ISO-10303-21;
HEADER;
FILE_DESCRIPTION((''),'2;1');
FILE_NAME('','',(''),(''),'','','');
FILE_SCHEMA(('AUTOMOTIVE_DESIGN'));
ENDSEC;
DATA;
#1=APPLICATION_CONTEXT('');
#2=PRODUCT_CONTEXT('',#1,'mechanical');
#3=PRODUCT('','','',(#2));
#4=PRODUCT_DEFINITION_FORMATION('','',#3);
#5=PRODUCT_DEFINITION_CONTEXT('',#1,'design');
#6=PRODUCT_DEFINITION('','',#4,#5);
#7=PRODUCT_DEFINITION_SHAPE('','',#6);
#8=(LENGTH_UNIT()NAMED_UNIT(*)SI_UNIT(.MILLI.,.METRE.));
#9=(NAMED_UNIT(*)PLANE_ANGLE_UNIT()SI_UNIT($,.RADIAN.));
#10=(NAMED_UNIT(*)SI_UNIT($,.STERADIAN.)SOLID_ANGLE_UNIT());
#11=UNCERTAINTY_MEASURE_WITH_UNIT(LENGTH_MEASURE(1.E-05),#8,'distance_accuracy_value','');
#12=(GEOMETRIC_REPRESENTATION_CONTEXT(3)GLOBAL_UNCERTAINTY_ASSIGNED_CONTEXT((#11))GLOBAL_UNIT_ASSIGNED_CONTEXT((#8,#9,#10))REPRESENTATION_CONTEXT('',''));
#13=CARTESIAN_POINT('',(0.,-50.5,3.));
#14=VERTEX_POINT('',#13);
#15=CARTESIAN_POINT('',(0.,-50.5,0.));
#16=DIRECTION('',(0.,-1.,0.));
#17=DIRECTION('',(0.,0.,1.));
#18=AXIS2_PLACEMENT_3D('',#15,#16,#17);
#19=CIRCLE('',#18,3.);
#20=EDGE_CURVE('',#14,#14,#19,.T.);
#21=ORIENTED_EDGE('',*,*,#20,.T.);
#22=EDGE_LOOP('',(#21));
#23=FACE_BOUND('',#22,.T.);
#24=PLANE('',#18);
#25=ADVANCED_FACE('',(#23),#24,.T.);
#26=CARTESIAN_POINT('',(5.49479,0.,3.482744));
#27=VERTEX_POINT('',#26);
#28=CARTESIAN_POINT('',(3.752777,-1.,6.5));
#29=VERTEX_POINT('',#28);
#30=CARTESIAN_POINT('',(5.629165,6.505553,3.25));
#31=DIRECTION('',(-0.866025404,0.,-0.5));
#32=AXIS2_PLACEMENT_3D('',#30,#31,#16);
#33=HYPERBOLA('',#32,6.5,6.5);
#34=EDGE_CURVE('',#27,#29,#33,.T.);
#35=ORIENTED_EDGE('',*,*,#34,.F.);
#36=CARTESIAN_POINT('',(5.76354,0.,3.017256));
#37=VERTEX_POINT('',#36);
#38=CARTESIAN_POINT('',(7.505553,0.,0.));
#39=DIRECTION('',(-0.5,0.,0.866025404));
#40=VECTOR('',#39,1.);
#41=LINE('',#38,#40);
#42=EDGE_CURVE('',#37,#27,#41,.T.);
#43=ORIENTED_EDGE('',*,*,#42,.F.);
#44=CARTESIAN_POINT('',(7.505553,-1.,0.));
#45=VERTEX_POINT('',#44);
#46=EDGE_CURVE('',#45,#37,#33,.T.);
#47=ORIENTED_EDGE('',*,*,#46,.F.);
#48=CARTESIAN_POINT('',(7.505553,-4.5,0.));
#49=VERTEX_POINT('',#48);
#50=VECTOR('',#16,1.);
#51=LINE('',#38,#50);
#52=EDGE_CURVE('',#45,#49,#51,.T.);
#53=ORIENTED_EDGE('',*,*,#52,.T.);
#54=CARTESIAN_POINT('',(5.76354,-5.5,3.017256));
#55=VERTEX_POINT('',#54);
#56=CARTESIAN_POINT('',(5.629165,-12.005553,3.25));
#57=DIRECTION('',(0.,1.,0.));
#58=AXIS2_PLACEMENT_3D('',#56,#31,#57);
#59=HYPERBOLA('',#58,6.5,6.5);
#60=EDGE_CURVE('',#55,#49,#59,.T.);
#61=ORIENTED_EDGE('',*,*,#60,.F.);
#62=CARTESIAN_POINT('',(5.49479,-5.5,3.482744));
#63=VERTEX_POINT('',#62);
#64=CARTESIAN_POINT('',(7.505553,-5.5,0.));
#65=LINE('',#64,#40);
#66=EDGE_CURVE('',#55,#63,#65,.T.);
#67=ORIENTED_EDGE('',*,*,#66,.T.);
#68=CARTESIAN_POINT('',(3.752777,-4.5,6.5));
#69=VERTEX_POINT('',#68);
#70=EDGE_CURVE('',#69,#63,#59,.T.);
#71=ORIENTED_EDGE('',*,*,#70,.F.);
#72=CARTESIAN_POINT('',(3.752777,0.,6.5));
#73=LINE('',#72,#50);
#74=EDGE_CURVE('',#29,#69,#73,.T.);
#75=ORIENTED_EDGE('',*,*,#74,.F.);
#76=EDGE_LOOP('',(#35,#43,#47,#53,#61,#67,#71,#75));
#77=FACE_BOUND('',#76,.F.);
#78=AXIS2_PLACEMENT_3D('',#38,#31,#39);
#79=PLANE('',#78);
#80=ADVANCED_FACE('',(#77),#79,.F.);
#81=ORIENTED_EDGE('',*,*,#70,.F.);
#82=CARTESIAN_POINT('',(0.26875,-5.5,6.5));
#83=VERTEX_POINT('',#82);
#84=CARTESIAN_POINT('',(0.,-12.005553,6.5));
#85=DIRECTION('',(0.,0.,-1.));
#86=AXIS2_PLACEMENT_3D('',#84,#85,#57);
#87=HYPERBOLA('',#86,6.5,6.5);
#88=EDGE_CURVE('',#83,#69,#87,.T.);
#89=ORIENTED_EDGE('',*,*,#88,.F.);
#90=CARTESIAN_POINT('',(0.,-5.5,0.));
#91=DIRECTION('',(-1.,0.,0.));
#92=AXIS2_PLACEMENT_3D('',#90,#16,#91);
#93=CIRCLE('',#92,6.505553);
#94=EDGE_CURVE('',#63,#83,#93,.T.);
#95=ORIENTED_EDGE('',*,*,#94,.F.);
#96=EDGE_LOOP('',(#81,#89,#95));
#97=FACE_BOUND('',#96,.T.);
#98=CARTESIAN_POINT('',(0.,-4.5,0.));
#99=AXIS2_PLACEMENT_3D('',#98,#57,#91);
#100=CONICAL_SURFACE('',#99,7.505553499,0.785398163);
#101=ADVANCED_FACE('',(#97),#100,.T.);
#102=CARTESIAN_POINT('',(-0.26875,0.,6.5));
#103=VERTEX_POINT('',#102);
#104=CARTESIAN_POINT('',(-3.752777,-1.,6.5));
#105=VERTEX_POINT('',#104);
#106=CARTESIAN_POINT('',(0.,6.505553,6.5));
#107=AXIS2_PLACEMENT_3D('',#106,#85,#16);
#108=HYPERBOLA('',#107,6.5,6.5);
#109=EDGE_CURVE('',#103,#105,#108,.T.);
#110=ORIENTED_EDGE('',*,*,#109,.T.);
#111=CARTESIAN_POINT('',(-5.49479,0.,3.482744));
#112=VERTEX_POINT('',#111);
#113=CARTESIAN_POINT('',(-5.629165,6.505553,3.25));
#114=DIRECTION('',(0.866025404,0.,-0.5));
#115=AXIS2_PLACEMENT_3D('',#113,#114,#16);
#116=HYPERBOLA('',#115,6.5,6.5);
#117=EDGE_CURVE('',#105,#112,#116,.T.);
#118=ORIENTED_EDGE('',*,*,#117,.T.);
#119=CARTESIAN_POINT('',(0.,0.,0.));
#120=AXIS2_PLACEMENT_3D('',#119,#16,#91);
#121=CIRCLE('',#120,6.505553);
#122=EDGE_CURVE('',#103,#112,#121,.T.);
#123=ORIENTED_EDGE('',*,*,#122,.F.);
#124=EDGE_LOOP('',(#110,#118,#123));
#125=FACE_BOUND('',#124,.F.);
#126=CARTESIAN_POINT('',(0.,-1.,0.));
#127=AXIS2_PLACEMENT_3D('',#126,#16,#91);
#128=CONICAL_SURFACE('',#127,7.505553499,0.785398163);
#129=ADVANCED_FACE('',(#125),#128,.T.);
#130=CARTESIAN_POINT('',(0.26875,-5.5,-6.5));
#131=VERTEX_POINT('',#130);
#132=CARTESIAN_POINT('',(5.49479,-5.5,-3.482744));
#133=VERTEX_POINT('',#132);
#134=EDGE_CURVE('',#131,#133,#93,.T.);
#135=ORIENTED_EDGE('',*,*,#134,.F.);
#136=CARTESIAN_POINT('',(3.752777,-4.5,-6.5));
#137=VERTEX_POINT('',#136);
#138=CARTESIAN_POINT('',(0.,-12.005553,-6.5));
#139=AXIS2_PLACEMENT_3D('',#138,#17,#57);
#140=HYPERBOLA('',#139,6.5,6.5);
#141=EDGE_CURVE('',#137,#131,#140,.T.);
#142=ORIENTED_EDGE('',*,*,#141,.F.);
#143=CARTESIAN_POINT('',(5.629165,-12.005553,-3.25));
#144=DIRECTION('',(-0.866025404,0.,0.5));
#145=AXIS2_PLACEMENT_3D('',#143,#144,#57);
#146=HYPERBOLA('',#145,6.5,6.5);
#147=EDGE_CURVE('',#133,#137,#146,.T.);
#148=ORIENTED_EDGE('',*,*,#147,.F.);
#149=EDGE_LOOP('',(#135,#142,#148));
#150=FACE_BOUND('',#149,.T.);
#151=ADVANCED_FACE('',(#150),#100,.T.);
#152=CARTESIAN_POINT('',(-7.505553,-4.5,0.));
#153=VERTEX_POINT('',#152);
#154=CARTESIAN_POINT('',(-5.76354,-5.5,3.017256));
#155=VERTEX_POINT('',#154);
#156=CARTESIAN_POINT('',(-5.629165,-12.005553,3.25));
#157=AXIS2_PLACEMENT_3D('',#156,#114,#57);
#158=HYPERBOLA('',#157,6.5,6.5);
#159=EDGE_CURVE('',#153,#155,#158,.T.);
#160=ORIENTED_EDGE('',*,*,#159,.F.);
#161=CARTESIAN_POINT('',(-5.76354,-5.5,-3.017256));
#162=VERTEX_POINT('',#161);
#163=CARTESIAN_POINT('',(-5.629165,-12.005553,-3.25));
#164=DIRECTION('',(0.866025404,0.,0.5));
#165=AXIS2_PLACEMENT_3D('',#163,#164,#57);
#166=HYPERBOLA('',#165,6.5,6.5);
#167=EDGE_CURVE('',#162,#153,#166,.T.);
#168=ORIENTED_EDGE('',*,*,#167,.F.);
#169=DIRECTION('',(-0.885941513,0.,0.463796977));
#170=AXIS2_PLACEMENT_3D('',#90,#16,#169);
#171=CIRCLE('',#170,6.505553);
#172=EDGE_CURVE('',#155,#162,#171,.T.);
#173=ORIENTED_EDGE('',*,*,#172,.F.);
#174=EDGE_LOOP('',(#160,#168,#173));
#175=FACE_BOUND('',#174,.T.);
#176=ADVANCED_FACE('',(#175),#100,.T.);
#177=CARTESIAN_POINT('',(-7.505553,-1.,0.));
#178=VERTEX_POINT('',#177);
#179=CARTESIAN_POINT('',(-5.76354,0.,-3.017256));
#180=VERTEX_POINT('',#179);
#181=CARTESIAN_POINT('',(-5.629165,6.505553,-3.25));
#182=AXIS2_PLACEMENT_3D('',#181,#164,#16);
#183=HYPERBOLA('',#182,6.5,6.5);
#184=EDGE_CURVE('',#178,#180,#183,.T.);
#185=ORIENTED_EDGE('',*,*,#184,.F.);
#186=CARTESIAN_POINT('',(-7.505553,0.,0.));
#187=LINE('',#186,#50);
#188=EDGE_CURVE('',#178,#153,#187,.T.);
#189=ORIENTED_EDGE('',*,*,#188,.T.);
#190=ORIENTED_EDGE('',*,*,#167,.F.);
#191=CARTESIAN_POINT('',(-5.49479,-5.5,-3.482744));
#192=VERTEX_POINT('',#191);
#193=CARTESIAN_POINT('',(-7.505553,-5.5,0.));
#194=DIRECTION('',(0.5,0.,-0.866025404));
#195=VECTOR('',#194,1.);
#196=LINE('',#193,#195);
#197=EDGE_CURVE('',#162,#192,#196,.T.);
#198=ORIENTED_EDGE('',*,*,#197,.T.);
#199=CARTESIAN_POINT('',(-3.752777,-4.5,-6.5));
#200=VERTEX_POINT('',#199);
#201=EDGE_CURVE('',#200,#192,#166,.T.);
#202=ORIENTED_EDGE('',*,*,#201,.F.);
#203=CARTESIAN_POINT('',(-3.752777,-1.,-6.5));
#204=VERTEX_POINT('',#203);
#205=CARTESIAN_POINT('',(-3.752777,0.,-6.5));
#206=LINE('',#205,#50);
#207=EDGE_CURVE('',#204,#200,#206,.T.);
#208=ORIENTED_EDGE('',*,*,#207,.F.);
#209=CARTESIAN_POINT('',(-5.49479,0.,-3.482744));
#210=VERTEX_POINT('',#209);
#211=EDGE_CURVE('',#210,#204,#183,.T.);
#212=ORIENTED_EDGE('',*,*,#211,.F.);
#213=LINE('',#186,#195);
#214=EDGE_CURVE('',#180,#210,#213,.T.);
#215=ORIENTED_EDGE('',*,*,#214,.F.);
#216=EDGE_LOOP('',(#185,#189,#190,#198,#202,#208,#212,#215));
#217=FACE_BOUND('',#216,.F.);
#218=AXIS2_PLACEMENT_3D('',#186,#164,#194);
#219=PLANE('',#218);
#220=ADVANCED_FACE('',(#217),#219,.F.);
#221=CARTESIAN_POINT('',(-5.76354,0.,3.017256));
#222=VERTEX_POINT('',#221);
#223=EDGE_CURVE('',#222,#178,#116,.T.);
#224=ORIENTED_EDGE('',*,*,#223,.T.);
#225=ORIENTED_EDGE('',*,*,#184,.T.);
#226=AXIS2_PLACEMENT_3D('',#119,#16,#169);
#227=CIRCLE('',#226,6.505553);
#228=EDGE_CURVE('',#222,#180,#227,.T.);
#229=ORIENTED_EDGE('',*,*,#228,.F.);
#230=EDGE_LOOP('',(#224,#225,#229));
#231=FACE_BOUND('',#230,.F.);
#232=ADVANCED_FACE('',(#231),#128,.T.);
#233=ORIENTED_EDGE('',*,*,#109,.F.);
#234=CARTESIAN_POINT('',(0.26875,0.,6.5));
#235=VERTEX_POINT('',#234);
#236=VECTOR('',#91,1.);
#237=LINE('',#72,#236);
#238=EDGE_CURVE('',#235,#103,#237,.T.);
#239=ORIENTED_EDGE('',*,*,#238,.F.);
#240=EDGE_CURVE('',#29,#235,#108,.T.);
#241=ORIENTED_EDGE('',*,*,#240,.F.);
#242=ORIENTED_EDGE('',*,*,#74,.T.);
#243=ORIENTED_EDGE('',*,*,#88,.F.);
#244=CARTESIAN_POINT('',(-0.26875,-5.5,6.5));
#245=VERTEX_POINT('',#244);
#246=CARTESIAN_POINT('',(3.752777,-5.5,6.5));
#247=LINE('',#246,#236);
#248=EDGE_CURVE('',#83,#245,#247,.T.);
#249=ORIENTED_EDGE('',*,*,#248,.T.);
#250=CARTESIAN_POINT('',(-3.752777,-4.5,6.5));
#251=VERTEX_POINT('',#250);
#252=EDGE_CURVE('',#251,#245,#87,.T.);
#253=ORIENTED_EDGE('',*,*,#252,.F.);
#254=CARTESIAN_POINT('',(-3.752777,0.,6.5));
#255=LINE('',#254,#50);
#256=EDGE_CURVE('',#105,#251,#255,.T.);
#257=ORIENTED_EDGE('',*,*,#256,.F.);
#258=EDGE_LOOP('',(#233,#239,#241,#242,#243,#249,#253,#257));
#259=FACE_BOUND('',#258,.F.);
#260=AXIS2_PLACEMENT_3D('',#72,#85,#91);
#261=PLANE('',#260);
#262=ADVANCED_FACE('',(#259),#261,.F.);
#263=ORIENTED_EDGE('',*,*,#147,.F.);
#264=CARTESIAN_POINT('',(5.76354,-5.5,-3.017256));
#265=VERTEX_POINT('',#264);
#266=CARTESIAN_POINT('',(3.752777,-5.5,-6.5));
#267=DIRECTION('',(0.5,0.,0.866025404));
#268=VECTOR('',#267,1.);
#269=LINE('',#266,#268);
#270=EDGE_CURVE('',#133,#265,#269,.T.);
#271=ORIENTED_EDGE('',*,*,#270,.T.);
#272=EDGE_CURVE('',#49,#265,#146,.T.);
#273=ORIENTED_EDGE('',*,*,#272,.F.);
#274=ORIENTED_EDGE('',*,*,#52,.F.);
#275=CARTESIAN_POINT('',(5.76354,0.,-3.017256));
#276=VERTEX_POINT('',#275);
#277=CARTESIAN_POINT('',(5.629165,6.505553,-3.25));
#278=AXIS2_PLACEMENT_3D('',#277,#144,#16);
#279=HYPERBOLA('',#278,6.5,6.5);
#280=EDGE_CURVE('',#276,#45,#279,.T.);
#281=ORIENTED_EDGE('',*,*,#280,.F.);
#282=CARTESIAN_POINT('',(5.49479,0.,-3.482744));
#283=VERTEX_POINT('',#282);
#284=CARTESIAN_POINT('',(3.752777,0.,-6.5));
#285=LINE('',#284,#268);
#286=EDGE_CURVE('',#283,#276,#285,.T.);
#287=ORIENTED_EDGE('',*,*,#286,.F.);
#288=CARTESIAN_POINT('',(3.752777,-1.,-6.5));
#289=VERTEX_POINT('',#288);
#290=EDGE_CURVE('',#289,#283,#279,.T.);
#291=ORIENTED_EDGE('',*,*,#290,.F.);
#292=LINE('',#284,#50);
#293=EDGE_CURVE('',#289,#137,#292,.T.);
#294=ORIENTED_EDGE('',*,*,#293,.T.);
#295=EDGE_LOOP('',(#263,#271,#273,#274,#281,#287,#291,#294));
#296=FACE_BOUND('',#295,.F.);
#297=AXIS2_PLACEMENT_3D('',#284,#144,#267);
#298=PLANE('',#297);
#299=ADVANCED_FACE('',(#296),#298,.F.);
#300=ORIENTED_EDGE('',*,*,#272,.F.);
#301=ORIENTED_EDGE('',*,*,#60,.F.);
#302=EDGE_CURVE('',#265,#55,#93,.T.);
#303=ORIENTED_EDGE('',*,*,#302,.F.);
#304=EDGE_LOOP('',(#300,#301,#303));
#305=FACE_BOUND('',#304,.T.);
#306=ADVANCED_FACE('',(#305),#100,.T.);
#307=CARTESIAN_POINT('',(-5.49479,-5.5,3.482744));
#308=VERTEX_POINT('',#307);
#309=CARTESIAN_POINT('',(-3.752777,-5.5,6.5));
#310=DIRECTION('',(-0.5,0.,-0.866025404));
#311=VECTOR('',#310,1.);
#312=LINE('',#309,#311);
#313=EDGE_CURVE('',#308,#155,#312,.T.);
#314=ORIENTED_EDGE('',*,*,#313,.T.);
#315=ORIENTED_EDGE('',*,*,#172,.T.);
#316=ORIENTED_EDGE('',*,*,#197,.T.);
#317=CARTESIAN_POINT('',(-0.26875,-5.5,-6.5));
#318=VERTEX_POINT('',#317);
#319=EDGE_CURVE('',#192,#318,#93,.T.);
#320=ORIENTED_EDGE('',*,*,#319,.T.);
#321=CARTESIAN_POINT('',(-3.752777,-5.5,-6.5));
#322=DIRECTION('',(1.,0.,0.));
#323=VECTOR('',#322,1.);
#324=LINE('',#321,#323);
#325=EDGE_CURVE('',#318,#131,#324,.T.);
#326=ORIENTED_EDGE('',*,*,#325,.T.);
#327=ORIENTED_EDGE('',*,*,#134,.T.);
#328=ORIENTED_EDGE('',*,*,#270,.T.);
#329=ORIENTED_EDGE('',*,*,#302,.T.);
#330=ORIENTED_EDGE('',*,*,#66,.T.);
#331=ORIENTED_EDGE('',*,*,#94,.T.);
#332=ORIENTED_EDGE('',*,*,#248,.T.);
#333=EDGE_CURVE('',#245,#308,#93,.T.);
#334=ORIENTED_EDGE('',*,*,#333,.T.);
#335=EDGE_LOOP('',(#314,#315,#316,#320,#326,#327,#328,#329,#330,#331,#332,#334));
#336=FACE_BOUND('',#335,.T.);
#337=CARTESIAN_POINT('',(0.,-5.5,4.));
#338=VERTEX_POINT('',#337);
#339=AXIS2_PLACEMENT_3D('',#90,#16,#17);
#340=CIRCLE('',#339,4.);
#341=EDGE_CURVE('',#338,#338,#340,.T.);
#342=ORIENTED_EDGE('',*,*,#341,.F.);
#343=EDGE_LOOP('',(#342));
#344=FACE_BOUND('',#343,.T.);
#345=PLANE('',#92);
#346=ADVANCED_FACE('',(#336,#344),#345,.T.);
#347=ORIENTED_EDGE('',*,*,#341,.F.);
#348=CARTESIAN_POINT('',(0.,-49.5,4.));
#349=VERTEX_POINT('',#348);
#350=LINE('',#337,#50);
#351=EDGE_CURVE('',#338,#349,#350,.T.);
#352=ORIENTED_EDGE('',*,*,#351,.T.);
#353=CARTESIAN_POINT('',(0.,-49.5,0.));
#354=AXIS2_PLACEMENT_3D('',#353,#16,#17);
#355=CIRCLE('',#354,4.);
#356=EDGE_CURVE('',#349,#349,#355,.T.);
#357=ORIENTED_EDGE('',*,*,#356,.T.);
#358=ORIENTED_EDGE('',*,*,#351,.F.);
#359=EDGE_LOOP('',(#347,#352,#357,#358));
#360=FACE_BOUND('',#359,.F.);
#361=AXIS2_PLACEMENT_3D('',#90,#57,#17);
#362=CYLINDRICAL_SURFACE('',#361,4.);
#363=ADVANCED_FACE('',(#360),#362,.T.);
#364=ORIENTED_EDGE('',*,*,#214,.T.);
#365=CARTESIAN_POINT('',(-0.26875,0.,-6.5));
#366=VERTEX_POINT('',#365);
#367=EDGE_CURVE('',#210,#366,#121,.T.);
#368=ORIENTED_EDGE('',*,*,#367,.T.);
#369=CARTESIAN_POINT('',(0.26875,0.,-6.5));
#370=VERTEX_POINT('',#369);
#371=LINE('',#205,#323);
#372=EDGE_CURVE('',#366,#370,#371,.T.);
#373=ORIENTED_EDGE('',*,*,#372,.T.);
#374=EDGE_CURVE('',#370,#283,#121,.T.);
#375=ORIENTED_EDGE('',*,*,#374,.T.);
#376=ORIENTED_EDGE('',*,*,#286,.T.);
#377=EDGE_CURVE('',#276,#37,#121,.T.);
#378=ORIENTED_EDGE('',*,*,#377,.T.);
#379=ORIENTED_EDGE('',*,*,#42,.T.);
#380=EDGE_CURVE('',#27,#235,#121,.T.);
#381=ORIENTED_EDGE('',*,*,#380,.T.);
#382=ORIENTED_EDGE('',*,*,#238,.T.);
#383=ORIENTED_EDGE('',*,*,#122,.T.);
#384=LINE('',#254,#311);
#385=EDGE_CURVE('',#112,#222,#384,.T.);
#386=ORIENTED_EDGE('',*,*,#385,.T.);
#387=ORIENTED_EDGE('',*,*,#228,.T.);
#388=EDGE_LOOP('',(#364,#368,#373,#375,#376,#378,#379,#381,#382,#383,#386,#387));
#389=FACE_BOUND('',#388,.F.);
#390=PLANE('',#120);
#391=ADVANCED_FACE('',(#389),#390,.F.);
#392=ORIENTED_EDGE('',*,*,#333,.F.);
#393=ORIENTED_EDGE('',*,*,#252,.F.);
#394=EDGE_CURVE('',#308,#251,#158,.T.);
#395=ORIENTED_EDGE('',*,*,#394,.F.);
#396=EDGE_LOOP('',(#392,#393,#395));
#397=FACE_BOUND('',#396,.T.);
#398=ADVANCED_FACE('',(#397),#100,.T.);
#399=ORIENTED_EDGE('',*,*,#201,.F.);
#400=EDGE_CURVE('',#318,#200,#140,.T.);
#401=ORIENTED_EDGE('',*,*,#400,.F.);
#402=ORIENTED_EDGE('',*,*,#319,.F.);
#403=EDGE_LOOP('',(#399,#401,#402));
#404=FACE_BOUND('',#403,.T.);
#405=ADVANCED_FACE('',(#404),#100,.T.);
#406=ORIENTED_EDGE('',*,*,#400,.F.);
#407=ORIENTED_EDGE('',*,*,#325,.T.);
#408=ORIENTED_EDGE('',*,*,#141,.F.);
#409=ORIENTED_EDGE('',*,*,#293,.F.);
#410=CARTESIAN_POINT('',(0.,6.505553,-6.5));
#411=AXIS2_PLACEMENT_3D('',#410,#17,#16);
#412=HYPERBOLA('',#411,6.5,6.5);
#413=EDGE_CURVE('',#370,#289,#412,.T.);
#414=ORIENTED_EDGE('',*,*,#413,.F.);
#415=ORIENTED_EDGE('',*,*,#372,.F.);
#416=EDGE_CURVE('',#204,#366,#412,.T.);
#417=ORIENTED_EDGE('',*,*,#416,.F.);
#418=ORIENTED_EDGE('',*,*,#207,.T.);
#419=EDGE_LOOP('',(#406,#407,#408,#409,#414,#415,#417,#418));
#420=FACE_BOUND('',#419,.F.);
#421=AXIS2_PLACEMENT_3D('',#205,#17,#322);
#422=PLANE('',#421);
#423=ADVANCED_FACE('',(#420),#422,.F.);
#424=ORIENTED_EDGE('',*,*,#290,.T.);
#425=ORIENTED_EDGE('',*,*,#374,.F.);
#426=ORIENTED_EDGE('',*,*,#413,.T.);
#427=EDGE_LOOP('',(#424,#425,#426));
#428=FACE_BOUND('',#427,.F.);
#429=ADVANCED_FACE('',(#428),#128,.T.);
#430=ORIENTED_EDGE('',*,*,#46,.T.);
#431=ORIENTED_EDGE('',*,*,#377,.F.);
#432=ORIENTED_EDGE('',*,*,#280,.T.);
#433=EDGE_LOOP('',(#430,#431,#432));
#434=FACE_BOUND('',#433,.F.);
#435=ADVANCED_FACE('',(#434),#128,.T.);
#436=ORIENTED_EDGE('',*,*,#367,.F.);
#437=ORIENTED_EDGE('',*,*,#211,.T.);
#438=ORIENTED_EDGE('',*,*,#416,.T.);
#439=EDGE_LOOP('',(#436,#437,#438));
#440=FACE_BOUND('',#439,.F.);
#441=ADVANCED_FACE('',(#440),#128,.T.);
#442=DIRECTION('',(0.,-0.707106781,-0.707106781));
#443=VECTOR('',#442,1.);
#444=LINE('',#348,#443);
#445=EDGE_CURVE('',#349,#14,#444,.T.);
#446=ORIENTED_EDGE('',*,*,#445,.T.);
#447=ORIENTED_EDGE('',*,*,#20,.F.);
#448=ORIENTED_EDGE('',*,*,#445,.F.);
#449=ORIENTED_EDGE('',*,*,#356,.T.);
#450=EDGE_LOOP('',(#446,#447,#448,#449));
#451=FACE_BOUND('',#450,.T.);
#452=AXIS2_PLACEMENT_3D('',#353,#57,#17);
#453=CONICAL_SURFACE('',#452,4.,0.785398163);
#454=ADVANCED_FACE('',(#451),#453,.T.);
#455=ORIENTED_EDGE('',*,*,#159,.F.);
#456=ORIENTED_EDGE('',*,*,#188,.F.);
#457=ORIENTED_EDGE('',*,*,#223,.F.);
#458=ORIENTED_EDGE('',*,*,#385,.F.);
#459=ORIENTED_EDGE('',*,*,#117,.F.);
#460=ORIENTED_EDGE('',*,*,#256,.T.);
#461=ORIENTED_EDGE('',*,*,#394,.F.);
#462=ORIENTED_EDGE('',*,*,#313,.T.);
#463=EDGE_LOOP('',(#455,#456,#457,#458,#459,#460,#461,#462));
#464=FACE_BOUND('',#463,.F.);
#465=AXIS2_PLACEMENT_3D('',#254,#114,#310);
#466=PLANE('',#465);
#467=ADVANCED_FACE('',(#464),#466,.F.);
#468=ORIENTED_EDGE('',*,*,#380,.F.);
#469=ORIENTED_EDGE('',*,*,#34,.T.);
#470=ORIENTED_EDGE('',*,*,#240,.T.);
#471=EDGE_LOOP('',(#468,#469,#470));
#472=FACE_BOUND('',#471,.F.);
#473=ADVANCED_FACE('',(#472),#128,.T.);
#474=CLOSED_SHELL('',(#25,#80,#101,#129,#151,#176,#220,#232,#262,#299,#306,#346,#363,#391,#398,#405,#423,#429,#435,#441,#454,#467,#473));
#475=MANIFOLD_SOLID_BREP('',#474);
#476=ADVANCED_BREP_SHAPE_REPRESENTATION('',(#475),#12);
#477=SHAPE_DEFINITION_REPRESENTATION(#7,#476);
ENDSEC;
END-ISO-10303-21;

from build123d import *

# Parameters (mm, degrees)
EXTRUDE_1_DEPTH = 5.5
SKETCH_5_R      = 4
EXTRUDE_2_DEPTH = 45
CHAMFER_1_SIZE  = 1


with BuildPart() as part:
    # Эскиз1 → Вытянуть1 (new body)
    with BuildSketch(Plane(origin=(0, 0, 0), x_dir=(1, 0, 0), z_dir=(0, 1, 0))):
        Polygon((-3.75277675, 6.5), (3.75277675, 6.5), (7.505553499, 0), (3.75277675, -6.5), (-3.75277675, -6.5), (-7.505553499, 0), align=None)
    extrude(amount=-EXTRUDE_1_DEPTH)

    # Эскиз5 → Вытянуть2 (add)
    with BuildSketch(Plane.XZ.offset(5.5)):
        with Locations(Location((0, 0, 0), (0, 0, 90))):
            Circle(SKETCH_5_R)
    extrude(amount=EXTRUDE_2_DEPTH)

    # Фаска1
    chamfer_1_edges = [part.edges().sort_by_distance(p)[0] for p in [
        (0, -50.5, -4),
    ]]
    chamfer(chamfer_1_edges, length=CHAMFER_1_SIZE)

    # Эскиз4 → Вырез-Повернуть1 (revolve, cut)
    with BuildSketch(Plane.XY):
        Polygon((-7.505553499, -1), (-6.505553499, 0), (-7.505553499, 0), align=None)
        Polygon((-7.505553499, -4.5), (-6.505553499, -5.5), (-7.505553499, -5.5), align=None)
    revolve(axis=Axis((0, -5.5, 0), (0, -1, 0)), mode=Mode.SUBTRACT)


solid = part.part
